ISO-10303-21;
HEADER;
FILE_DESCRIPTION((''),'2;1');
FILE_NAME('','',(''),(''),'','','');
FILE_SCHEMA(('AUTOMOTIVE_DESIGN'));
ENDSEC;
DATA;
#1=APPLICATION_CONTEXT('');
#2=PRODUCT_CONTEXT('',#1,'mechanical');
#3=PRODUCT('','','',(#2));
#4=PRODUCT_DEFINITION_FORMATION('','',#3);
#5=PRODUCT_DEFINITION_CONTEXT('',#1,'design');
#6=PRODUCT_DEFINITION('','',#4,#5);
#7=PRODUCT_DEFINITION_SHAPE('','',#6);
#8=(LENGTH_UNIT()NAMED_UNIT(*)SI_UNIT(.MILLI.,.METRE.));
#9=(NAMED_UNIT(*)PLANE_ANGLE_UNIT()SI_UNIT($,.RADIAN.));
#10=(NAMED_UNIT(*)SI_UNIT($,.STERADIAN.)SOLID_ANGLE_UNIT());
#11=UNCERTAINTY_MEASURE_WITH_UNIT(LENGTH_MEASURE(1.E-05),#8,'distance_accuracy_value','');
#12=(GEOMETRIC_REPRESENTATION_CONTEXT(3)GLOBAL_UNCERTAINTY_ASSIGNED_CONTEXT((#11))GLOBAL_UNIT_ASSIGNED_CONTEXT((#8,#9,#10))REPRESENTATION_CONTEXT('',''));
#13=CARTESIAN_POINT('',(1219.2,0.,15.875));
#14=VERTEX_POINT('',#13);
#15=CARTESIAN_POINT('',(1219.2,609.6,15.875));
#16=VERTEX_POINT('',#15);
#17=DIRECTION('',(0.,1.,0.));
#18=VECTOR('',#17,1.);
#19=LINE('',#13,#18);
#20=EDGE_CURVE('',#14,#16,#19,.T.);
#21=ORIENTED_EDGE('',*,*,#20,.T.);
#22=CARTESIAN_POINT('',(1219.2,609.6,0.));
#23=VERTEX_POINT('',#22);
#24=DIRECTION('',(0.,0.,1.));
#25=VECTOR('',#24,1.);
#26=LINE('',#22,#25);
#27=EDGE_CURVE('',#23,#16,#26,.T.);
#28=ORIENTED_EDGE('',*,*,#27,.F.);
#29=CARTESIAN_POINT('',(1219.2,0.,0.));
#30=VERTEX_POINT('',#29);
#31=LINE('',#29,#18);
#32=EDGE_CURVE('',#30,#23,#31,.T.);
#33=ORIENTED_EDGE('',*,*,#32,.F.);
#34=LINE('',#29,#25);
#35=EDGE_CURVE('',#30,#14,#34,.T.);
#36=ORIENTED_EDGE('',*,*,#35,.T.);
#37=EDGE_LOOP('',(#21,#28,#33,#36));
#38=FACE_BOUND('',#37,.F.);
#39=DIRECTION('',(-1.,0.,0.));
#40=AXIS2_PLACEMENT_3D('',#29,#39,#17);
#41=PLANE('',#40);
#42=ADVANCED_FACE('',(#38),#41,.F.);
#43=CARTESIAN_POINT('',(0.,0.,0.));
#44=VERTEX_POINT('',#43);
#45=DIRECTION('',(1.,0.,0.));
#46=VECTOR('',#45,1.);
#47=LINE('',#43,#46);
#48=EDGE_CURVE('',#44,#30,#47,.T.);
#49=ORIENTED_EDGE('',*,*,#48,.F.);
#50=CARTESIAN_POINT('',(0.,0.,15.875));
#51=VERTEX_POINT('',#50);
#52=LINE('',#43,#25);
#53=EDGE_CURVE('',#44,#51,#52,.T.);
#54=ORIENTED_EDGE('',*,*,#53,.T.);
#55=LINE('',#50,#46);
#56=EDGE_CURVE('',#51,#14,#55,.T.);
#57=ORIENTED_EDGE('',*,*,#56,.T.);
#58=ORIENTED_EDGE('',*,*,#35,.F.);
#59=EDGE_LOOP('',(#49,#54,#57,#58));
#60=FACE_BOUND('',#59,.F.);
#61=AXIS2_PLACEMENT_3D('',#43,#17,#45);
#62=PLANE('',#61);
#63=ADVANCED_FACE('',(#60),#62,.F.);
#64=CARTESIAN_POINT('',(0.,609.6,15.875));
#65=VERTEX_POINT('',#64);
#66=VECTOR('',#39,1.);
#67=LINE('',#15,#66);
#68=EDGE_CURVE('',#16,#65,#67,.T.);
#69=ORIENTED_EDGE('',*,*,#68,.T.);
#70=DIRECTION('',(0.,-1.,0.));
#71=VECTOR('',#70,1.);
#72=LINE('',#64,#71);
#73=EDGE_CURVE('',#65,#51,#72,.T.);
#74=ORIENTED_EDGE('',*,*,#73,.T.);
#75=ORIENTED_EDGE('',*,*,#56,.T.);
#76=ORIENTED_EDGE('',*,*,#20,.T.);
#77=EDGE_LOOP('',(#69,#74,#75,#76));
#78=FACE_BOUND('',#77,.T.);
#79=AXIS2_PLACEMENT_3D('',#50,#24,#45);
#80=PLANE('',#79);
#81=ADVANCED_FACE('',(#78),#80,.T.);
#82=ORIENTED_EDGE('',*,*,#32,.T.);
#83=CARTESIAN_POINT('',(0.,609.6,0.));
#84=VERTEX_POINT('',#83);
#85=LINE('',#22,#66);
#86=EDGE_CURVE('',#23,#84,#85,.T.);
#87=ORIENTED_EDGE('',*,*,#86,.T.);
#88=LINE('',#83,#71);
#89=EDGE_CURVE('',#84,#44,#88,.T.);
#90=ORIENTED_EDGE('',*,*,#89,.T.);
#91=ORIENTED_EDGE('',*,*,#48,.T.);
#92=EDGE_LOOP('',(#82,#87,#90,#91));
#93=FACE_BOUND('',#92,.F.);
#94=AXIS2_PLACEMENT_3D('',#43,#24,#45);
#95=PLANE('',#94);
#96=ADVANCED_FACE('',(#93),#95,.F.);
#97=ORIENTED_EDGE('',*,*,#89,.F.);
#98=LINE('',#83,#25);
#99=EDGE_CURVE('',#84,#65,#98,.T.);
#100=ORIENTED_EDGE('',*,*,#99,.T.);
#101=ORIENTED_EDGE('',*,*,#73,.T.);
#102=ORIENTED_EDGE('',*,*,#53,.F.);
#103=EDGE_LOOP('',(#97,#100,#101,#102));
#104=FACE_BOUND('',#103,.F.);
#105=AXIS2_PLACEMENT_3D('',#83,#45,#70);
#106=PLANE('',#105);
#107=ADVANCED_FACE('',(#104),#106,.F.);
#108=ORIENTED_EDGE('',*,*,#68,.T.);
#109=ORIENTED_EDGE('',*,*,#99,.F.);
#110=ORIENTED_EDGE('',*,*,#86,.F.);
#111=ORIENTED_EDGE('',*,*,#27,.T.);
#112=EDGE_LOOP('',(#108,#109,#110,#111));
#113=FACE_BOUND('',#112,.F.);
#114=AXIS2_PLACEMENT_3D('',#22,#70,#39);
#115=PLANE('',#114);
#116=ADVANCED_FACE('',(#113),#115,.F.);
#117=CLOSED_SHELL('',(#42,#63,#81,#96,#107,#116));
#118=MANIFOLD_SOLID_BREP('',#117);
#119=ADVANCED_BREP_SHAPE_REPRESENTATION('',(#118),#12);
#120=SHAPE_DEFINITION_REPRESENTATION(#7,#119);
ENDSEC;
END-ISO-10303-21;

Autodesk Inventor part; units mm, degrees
ref_plane "YZ Plane" through (0, 0, 0) normal (1, 0, 0) x (0, 1, 0)
ref_plane "XZ Plane" through (0, 0, 0) normal (0, 1, 0) x (-1, 0, 0)
ref_plane "XY Plane" through (0, 0, 0) normal (0, 0, 1) x (1, 0, 0)
sketch "Sketch1" plane through (0, 0, 0) normal (0, 0, 1) x (1, 0, 0)
  line L0 (0, 0) -> (1219.2, 0)
  line L1 (1219.2, 0) -> (1219.2, 609.6)
  line L2 (1219.2, 609.6) -> (0, 609.6)
  line L3 (0, 609.6) -> (0, 0)
  dimension "d0" = 1219.2
  dimension "d1" = 609.6
extrude "Extrusion1" add sketch "Sketch1" along normal blind 15.875
properties part number "4x2 Gyp Board"
